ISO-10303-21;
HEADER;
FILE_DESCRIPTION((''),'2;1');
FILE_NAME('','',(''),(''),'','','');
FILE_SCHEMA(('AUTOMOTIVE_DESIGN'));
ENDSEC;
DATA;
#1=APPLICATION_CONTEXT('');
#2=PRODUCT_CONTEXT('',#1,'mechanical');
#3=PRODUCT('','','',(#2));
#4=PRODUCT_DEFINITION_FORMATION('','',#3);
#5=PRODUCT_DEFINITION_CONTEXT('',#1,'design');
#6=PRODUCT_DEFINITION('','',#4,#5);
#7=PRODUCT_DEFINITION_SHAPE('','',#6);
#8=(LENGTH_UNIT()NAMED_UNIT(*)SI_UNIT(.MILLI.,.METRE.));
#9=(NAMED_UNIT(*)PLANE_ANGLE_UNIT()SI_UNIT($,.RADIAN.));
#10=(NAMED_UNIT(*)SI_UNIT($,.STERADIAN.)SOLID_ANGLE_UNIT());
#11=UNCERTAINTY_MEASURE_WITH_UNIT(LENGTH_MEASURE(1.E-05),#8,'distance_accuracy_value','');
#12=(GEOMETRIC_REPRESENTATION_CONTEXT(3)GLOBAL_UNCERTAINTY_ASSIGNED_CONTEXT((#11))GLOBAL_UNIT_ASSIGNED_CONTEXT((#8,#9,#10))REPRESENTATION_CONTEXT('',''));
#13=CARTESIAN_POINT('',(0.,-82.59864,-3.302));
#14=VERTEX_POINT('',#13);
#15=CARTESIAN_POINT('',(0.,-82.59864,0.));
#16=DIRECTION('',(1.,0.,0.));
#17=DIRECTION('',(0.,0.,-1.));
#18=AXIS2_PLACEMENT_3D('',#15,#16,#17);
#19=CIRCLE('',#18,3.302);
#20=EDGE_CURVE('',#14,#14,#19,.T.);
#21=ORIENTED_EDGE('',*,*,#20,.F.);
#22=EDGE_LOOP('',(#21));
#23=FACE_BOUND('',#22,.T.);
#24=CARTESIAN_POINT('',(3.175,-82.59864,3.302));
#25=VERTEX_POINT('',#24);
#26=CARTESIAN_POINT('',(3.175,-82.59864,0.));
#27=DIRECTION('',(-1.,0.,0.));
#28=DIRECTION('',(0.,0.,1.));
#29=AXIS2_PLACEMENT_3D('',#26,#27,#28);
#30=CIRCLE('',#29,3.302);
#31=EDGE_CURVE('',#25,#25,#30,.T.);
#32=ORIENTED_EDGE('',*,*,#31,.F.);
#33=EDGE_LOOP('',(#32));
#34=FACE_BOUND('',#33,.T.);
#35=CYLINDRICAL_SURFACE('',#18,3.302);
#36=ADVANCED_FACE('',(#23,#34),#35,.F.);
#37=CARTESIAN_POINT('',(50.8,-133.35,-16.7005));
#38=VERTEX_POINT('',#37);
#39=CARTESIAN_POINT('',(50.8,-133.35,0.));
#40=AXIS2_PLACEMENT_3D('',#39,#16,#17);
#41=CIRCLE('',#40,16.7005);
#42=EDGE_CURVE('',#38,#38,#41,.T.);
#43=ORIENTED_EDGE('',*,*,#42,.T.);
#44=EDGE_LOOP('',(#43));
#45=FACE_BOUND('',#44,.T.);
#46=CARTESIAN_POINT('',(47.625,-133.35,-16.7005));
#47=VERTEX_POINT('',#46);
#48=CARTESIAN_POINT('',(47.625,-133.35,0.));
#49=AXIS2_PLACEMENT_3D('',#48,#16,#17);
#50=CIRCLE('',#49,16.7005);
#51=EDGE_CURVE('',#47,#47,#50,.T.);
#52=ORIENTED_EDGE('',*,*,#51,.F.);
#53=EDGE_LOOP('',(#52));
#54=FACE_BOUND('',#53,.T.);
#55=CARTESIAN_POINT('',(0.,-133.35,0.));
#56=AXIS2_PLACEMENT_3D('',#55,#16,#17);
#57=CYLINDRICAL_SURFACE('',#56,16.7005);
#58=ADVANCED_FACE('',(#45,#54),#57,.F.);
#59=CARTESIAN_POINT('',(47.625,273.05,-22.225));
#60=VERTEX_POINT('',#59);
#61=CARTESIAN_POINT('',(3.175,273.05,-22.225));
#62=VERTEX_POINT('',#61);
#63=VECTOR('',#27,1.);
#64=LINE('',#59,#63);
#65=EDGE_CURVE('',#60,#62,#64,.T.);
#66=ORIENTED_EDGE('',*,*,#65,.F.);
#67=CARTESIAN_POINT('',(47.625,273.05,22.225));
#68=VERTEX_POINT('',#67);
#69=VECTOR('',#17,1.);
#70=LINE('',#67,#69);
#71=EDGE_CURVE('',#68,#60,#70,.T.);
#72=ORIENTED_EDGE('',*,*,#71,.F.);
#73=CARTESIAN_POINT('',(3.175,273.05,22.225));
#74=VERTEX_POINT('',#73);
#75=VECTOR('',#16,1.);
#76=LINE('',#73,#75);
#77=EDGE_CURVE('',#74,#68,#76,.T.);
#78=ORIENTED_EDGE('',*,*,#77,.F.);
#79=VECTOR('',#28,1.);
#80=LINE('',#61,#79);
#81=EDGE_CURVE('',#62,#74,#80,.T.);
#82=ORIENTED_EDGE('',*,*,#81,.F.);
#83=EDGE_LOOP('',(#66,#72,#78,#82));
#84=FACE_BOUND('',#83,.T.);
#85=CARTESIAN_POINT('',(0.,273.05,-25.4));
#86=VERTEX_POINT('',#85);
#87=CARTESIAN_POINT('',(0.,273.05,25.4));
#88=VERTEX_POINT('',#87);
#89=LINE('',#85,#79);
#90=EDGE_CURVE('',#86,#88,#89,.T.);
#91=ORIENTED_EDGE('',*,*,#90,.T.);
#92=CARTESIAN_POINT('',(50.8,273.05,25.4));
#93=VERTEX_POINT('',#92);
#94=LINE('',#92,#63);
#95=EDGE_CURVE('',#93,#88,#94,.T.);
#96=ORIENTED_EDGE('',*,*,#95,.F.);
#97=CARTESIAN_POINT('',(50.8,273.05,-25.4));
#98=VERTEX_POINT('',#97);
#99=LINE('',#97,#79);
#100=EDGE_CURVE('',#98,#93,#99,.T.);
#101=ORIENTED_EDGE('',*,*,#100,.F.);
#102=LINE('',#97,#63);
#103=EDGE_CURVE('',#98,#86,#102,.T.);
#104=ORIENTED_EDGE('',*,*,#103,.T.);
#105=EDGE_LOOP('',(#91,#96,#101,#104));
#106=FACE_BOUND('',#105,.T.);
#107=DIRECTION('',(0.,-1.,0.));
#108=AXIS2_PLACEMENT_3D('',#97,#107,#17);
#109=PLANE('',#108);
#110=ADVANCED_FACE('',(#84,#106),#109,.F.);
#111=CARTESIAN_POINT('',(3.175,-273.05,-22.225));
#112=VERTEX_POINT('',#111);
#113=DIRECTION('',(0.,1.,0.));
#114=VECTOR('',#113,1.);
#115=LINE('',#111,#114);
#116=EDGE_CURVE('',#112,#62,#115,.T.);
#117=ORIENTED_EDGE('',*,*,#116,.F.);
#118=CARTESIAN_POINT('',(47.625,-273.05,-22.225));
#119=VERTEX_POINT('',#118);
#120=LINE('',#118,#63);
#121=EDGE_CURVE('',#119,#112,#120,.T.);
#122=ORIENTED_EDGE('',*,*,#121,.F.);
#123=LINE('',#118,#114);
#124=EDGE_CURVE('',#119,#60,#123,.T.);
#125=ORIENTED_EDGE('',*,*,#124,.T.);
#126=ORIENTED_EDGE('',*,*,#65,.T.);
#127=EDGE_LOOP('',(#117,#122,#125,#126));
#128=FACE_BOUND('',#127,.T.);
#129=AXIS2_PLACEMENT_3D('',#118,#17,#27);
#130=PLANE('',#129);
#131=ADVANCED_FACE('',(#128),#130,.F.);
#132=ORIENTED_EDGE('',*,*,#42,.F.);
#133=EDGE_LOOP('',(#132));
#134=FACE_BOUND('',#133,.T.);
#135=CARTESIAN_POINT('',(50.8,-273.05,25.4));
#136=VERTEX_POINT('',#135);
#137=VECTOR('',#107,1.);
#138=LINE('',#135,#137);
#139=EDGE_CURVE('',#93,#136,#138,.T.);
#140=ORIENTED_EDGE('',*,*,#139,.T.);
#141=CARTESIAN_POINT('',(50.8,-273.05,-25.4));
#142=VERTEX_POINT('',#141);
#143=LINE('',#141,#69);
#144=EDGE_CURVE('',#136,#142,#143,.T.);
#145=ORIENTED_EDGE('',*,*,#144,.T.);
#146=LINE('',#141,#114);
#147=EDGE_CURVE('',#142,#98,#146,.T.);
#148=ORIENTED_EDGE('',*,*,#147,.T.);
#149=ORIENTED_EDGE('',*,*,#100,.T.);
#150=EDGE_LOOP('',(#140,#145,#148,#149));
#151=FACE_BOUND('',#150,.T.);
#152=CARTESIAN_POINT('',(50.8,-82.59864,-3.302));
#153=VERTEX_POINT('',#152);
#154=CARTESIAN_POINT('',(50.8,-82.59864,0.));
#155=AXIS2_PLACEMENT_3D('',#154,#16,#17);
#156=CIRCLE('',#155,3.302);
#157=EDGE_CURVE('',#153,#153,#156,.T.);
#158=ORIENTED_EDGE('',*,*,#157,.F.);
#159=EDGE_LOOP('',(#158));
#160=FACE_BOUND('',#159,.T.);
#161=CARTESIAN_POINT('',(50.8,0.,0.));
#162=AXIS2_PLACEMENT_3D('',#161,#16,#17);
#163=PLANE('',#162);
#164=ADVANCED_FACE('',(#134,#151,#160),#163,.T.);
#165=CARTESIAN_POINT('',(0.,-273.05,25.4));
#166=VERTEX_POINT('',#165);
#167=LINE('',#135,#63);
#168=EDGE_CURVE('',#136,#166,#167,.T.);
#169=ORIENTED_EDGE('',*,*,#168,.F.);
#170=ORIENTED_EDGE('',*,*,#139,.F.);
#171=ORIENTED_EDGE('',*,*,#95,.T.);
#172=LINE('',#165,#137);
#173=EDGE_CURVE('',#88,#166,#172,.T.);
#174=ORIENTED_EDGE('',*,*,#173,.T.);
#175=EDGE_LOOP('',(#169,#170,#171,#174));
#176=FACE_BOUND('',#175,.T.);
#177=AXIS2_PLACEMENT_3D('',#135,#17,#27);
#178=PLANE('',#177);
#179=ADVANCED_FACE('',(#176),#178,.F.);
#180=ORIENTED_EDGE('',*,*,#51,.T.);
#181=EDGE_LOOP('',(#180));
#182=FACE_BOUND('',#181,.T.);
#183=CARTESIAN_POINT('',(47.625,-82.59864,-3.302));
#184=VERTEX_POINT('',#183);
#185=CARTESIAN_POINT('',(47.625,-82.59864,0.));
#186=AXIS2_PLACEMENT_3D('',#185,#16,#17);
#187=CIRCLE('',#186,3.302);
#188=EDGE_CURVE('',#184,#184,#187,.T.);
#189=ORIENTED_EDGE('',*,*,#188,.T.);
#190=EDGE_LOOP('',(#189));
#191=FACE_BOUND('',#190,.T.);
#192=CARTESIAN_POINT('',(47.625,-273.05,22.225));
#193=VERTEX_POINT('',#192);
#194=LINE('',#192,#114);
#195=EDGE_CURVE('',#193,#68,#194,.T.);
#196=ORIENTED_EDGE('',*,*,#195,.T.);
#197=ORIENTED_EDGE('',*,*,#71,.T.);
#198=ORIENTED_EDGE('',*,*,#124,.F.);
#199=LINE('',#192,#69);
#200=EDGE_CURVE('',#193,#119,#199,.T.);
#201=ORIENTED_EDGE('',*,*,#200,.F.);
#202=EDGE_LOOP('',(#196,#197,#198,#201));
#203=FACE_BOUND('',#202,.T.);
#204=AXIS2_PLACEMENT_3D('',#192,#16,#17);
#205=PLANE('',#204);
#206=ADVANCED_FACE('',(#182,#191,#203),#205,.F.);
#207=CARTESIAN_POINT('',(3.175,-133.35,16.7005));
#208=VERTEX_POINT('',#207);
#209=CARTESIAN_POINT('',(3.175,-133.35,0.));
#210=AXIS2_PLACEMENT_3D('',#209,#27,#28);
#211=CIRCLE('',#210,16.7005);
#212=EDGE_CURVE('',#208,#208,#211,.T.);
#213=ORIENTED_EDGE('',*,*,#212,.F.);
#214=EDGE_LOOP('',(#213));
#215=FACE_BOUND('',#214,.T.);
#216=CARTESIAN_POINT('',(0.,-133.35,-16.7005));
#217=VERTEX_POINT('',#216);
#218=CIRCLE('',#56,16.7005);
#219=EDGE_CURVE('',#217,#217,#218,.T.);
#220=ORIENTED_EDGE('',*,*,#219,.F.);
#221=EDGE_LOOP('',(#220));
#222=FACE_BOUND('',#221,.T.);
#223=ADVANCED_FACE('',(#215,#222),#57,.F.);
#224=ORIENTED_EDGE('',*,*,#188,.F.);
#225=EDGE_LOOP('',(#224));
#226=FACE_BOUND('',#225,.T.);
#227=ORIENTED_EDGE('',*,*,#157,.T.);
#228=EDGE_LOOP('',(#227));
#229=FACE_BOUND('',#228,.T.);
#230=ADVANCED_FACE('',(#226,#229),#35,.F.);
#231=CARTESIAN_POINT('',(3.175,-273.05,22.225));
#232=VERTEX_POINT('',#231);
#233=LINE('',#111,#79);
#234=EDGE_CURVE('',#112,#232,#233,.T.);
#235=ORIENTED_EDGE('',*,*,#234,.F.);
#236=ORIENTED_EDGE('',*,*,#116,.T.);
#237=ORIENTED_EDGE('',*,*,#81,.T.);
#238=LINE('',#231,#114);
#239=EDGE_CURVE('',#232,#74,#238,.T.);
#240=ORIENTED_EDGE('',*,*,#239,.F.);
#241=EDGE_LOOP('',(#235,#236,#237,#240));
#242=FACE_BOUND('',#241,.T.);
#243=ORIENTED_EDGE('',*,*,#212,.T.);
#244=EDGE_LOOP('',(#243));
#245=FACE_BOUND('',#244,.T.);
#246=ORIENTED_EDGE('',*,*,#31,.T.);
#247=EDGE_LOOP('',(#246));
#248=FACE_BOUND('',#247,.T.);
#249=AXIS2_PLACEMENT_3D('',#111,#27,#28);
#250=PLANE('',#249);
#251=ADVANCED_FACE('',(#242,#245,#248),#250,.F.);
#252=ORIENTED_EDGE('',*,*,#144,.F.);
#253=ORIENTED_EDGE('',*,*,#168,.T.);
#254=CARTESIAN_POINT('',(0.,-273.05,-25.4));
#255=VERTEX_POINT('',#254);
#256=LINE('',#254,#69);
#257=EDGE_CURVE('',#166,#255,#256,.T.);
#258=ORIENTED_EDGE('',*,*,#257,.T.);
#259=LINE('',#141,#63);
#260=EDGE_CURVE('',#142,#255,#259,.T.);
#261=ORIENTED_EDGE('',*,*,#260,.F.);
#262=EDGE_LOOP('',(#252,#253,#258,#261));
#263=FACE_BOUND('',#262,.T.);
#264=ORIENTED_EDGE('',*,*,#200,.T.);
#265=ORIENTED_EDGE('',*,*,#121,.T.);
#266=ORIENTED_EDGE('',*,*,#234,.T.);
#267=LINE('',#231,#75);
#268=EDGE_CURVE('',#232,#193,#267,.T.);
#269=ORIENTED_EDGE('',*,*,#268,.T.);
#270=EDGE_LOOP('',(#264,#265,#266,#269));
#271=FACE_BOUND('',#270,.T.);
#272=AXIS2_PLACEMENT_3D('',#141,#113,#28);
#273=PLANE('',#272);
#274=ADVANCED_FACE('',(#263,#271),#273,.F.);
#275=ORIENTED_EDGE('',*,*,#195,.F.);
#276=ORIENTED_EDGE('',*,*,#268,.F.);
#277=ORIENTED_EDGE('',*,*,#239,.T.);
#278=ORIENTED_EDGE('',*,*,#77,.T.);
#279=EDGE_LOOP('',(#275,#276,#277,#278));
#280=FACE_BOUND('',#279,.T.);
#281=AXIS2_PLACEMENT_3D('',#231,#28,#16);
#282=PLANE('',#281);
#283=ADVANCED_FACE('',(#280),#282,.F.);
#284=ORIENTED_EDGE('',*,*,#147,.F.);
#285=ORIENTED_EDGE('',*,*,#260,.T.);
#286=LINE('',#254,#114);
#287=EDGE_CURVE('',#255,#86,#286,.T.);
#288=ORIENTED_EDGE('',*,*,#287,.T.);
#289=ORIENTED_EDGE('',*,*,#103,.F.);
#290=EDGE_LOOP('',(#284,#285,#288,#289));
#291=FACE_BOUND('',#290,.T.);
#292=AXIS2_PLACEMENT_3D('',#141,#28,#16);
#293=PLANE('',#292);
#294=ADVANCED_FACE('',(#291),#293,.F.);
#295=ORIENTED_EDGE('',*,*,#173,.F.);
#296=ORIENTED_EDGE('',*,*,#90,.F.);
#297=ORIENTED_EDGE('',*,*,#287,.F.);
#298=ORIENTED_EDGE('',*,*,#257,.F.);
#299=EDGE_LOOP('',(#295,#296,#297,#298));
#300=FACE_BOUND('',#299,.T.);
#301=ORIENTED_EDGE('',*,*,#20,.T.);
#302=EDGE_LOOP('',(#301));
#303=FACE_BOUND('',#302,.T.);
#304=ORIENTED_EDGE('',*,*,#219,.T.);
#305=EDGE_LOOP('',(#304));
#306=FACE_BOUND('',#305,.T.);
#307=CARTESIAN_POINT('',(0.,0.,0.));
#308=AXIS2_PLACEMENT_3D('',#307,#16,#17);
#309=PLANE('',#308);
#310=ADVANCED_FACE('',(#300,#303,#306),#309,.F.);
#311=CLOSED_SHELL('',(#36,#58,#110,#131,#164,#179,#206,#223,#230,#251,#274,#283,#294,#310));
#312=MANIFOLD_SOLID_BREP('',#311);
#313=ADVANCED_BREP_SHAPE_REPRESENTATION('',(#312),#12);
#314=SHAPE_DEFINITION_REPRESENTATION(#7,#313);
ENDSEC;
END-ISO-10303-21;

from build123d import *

# Parameters (mm, degrees)
SKETCH1_W           = 50.8
SKETCH1_H           = 546.1
BOSS_EXTRUDE1_DEPTH = 50.8
SKETCH2_W           = 44.45
SKETCH2_H           = 44.45
CUT_EXTRUDE1_DEPTH  = 547.1
SKETCH4_R           = 16.7005
SKETCH4_R_2         = 3.302
CUT_EXTRUDE2_DEPTH  = 51.8


with BuildPart() as part:
    # Sketch1 → Boss-Extrude1 (new body)
    with BuildSketch(Plane(origin=(0, 0, 0), x_dir=(0, 0, -1), z_dir=(1, 0, 0))):
        Rectangle(SKETCH1_W, SKETCH1_H)
    extrude(amount=BOSS_EXTRUDE1_DEPTH)

    # Sketch2 → Cut-Extrude1 (cut, through all)
    with BuildSketch(Plane(origin=(0, 273.05, 0), x_dir=(1, 0, 0), z_dir=(0, 1, 0))):
        with Locations((25.4, 0)):
            Rectangle(SKETCH2_W, SKETCH2_H)
    extrude(amount=-CUT_EXTRUDE1_DEPTH, mode=Mode.SUBTRACT)

    # Sketch4 → Cut-Extrude2 (cut, through all)
    with BuildSketch(Plane(origin=(50.8, 0, 0), x_dir=(0, 0, -1), z_dir=(1, 0, 0))):
        with Locations((0, -133.35)):
            Circle(SKETCH4_R)
        with Locations((0, -82.598640474)):
            Circle(SKETCH4_R_2)
    extrude(amount=-CUT_EXTRUDE2_DEPTH, mode=Mode.SUBTRACT)


solid = part.part
